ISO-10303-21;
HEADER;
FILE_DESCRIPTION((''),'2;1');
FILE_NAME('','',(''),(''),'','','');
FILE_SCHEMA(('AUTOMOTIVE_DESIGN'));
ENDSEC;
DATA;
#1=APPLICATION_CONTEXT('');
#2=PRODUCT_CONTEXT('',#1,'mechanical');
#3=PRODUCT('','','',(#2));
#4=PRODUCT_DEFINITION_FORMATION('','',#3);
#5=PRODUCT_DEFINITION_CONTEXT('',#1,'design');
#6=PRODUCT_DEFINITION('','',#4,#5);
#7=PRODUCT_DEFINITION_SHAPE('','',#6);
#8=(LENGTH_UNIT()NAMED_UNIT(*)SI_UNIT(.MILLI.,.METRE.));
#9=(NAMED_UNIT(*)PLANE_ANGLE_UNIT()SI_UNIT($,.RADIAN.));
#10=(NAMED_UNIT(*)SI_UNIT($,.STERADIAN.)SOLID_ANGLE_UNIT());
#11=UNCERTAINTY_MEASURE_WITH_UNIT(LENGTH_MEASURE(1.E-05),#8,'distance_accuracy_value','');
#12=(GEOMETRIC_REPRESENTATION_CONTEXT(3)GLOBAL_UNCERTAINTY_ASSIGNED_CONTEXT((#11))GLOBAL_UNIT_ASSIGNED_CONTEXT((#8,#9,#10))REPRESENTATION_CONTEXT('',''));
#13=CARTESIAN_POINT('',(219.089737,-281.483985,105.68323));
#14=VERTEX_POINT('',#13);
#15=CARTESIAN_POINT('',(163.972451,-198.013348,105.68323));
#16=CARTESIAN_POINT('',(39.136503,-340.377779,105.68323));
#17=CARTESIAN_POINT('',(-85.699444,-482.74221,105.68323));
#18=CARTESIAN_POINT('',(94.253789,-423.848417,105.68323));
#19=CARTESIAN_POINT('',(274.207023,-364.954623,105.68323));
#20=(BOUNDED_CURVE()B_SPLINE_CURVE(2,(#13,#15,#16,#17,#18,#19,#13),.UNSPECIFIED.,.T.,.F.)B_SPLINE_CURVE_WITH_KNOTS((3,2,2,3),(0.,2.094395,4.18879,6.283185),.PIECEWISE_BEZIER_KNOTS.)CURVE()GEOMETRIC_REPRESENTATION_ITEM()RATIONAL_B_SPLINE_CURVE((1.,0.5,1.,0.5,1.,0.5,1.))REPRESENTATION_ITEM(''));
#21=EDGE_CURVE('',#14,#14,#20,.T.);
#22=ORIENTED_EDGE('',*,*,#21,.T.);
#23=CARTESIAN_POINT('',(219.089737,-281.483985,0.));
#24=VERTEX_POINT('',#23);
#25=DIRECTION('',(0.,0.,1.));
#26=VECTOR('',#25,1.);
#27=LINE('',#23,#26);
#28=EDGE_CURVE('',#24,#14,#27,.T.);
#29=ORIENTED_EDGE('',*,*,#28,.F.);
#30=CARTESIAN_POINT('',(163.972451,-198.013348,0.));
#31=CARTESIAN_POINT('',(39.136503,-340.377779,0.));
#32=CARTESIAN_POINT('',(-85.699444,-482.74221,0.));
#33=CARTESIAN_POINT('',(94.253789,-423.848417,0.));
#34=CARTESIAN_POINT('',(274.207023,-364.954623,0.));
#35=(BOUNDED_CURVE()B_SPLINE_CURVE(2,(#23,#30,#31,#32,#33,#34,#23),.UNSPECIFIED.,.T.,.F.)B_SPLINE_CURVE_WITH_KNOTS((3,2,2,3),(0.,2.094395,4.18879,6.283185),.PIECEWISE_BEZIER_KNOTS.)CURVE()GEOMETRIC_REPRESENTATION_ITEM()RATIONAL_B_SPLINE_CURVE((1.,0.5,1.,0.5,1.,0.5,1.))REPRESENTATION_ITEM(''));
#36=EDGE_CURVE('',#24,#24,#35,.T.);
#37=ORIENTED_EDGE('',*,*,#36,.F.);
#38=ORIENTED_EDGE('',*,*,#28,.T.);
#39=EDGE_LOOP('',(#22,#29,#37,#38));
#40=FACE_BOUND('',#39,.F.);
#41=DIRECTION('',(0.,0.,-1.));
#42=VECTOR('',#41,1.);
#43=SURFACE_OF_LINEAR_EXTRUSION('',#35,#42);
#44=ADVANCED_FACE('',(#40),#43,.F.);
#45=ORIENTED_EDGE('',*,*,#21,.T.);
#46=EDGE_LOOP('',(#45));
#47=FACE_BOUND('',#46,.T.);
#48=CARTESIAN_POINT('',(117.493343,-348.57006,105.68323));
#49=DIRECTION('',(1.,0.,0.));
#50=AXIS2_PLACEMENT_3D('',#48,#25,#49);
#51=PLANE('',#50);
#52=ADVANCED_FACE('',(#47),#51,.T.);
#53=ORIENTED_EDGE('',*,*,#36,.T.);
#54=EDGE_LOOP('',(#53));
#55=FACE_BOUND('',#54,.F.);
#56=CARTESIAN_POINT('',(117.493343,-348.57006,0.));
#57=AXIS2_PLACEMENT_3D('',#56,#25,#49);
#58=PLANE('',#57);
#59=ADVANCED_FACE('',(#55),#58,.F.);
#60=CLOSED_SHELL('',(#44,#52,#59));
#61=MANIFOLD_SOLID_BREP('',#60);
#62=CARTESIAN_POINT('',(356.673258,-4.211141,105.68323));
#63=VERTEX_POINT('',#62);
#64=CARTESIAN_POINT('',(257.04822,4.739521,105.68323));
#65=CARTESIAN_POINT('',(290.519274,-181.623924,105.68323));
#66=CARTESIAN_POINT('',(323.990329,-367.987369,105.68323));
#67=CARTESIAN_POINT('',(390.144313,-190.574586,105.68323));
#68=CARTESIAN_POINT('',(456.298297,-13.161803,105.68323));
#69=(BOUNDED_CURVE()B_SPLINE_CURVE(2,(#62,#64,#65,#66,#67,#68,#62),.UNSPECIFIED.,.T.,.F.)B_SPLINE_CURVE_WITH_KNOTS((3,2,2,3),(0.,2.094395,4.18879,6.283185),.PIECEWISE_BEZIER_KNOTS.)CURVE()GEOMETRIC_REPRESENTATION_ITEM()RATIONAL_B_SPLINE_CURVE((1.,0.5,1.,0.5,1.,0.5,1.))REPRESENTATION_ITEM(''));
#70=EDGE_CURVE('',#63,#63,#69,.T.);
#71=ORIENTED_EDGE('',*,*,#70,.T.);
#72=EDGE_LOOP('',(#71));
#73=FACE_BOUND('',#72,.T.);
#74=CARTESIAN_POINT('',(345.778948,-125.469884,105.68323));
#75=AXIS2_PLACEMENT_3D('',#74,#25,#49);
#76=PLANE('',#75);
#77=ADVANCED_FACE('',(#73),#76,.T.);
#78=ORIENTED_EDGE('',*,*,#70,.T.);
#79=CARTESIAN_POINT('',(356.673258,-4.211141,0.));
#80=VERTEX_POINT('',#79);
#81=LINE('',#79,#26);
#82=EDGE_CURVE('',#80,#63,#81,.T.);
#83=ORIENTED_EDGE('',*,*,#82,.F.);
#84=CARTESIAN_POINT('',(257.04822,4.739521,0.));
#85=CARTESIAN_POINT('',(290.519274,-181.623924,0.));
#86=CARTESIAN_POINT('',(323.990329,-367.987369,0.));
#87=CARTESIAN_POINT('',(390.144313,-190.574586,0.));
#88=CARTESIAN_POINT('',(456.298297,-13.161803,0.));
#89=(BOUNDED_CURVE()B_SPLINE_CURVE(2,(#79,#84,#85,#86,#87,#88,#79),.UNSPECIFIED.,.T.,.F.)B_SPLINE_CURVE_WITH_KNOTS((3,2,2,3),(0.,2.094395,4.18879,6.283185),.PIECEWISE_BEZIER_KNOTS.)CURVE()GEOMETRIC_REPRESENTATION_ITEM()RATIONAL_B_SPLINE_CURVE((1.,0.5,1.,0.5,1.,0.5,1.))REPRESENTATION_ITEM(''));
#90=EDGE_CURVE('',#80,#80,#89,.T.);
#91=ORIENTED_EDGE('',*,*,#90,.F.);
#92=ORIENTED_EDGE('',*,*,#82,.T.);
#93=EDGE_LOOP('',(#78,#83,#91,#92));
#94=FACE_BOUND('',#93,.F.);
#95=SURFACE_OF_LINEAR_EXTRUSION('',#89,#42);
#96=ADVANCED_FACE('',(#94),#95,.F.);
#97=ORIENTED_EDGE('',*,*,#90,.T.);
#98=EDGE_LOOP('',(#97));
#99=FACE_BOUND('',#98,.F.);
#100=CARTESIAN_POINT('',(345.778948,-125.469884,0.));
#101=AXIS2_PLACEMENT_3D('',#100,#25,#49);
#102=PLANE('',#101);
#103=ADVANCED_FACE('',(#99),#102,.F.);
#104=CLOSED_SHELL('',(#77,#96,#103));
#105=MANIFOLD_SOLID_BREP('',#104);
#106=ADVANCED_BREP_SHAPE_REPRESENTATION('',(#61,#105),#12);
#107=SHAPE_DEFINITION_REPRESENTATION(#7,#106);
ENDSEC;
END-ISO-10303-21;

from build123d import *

# Parameters (mm, degrees)
F1_DEPTH = 105.68323


with BuildPart() as f1:
    # F0 (on Top) → F1 (new body)
    with BuildSketch(Plane.XY):
        with BuildLine():
            add(Edge.make_bspline(
                [(219.089737, -281.483985), (163.972451, -198.013348), (39.136503, -340.377779), (-85.699444, -482.74221), (94.253789, -423.848417), (274.207023, -364.954623), (219.089737, -281.483985)],
                knots=[0, 0, 0, 2.094395, 2.094395, 4.18879, 4.18879, 6.283185, 6.283185, 6.283185], degree=2, weights=[1, 0.5, 1, 0.5, 1, 0.5, 1]))
        make_face()
        with BuildLine():
            add(Edge.make_bspline(
                [(356.673258, -4.211141), (257.04822, 4.739521), (290.519274, -181.623924), (323.990329, -367.987369), (390.144313, -190.574586), (456.298297, -13.161803), (356.673258, -4.211141)],
                knots=[0, 0, 0, 2.094395, 2.094395, 4.18879, 4.18879, 6.283185, 6.283185, 6.283185], degree=2, weights=[1, 0.5, 1, 0.5, 1, 0.5, 1]))
        make_face()
    extrude(amount=F1_DEPTH)


solid = f1.part
